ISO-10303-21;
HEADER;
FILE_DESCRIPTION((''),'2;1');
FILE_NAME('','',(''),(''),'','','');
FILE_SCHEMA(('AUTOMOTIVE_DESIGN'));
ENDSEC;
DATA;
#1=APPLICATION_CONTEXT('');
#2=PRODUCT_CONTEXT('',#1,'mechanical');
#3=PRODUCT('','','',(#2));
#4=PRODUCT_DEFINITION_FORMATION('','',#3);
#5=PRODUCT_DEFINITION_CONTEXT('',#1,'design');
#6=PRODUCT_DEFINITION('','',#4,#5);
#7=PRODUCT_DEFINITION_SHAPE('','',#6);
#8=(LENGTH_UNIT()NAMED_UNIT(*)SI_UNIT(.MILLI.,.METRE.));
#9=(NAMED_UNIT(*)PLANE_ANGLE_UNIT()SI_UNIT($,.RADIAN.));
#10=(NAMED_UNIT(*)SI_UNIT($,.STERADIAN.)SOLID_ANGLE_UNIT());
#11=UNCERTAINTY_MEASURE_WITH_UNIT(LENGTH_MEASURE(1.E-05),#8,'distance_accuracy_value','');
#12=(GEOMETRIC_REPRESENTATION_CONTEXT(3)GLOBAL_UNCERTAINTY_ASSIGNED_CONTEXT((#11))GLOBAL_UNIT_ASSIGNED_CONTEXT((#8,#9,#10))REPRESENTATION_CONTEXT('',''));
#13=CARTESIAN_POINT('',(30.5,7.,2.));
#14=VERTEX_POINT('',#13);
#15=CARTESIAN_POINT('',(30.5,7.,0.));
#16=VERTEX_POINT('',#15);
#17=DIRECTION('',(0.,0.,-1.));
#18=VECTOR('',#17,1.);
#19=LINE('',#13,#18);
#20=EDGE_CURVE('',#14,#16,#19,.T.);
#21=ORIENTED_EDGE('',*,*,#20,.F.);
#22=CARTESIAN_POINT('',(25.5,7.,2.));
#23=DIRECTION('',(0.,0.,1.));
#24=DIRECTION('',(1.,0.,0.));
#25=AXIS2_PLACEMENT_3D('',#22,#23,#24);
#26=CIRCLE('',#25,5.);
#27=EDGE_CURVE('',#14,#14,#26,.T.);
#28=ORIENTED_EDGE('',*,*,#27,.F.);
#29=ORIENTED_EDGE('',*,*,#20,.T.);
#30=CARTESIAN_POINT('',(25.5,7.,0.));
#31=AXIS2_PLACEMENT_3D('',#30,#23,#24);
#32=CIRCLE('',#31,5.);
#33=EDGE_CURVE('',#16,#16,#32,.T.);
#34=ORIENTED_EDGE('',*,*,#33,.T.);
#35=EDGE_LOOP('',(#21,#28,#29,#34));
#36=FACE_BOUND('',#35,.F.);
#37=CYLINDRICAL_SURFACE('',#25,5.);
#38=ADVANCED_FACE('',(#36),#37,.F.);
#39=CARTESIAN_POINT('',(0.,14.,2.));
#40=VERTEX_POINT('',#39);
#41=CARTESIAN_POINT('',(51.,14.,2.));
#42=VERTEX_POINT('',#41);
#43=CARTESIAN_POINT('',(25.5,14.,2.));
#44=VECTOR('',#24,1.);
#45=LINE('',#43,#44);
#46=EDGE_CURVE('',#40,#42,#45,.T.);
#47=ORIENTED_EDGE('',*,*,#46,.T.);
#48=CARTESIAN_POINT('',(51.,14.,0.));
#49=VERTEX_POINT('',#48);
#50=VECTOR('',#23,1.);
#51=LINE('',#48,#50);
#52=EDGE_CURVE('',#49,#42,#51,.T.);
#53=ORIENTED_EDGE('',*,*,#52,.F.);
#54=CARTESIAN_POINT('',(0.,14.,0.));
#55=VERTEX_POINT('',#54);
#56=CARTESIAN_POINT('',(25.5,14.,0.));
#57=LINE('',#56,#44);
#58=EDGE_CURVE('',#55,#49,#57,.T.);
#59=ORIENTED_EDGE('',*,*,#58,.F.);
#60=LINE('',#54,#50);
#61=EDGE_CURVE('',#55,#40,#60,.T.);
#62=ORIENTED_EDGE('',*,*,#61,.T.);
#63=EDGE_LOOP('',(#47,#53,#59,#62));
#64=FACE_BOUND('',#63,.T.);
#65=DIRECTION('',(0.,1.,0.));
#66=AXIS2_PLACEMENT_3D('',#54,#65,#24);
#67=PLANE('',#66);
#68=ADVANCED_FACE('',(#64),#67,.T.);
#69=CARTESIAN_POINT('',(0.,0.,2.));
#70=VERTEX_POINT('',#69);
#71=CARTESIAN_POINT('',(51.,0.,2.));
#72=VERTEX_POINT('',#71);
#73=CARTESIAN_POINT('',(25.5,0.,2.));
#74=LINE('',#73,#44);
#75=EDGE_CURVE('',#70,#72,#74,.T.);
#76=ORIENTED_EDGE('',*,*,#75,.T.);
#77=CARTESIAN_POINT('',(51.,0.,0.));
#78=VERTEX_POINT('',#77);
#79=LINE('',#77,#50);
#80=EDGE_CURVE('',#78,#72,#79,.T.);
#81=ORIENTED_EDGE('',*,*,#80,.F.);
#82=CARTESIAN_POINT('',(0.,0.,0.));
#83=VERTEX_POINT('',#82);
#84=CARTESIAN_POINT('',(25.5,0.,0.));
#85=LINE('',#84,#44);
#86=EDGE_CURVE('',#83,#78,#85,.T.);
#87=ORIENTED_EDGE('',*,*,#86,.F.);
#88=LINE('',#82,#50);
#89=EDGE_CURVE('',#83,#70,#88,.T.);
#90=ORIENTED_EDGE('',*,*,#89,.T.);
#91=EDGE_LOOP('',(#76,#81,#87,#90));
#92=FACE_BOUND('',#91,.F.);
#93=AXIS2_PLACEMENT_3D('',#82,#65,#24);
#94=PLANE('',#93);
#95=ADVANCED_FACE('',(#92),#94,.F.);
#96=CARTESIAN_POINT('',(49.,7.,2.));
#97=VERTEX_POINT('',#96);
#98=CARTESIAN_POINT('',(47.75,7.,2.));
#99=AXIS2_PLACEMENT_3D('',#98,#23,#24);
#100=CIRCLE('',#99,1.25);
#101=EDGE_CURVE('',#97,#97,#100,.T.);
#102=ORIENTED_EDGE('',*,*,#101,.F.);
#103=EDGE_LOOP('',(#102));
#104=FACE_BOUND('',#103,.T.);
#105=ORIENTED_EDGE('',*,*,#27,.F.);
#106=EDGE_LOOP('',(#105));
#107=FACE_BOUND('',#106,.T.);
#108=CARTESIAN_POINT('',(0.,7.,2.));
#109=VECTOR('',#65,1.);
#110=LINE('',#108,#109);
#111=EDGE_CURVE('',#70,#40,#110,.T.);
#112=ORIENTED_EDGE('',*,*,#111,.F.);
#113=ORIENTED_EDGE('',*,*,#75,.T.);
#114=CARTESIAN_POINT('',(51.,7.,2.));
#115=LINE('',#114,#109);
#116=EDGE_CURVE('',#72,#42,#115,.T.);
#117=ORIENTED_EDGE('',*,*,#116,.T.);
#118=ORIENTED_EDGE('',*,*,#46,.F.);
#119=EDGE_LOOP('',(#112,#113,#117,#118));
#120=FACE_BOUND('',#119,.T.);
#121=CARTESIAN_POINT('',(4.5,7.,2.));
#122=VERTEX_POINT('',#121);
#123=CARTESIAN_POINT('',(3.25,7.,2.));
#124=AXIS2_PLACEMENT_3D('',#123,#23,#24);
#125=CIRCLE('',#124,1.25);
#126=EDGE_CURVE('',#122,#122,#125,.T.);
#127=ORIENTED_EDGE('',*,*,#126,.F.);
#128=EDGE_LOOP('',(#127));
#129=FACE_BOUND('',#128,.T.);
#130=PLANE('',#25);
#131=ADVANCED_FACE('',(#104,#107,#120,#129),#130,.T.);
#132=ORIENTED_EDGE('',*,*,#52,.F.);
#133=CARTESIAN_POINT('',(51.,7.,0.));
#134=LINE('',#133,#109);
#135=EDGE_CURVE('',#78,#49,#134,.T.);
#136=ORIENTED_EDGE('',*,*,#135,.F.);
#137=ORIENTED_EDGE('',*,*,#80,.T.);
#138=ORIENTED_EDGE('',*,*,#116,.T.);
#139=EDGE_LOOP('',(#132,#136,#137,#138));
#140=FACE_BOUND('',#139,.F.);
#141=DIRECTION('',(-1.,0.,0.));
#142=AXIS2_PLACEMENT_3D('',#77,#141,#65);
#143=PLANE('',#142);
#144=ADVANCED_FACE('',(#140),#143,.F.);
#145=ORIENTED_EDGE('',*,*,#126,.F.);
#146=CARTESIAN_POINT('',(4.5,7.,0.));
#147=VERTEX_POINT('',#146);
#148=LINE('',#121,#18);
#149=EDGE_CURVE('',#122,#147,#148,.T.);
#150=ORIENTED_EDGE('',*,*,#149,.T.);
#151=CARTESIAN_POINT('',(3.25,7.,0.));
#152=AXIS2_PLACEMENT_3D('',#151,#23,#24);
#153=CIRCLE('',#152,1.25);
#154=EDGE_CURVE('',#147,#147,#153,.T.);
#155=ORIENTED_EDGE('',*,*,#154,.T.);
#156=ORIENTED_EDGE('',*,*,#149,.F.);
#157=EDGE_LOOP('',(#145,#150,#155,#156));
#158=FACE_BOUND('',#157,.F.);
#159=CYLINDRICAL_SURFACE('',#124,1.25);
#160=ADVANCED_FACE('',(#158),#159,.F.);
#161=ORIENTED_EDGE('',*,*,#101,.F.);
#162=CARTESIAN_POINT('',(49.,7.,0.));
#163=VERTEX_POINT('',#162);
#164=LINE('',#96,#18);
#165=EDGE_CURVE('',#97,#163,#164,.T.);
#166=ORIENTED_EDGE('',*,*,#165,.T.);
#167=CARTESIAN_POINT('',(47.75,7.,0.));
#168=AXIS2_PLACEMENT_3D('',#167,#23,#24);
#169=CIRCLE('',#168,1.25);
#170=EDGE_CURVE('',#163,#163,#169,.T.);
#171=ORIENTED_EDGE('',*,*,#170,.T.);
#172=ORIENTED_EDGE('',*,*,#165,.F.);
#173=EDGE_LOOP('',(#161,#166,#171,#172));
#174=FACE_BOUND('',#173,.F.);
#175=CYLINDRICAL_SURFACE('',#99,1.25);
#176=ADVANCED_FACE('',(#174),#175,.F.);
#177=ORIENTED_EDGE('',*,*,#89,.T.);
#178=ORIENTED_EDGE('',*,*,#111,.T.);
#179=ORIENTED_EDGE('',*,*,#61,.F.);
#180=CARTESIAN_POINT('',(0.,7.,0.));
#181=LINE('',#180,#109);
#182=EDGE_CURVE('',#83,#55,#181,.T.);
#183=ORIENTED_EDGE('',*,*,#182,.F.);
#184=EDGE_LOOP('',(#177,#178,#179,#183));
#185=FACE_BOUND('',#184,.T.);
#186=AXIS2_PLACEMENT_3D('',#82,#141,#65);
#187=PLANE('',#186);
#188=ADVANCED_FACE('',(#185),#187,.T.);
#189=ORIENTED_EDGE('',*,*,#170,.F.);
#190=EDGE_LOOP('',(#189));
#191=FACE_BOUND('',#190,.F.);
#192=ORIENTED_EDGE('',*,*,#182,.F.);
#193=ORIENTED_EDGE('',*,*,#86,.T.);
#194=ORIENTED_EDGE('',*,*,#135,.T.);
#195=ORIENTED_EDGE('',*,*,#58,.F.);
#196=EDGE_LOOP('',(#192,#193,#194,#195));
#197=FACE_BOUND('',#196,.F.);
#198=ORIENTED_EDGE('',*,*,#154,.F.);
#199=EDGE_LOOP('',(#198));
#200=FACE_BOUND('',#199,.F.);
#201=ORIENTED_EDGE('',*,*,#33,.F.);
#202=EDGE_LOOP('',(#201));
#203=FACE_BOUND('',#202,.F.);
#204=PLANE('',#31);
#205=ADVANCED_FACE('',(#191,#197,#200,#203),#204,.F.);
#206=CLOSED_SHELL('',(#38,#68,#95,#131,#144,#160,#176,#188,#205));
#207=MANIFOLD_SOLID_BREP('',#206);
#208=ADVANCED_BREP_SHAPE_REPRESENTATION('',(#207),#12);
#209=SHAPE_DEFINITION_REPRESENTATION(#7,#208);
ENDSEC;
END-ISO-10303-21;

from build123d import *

# Parameters (mm, degrees)
SKETCH_W      = 51
SKETCH_H      = 14
PAD_DEPTH     = 2
SKETCH001_R   = 1.25
SKETCH001_R_2 = 5
POCKET_DEPTH  = 5


with BuildPart() as part:
    # Sketch → Pad (new body)
    with BuildSketch(Plane.XY):
        with Locations((25.5, 7)):
            Rectangle(SKETCH_W, SKETCH_H)
    extrude(amount=PAD_DEPTH)

    # Sketch001 (on Face6 of Pad) → Pocket (cut)
    with BuildSketch(Plane.XY.offset(2)):
        with Locations((3.25, 7)):
            Circle(SKETCH001_R)
        with Locations((25.5, 7)):
            Circle(SKETCH001_R_2)
        with Locations((47.75, 7)):
            Circle(SKETCH001_R)
    extrude(amount=-POCKET_DEPTH, mode=Mode.SUBTRACT)


solid = part.part
